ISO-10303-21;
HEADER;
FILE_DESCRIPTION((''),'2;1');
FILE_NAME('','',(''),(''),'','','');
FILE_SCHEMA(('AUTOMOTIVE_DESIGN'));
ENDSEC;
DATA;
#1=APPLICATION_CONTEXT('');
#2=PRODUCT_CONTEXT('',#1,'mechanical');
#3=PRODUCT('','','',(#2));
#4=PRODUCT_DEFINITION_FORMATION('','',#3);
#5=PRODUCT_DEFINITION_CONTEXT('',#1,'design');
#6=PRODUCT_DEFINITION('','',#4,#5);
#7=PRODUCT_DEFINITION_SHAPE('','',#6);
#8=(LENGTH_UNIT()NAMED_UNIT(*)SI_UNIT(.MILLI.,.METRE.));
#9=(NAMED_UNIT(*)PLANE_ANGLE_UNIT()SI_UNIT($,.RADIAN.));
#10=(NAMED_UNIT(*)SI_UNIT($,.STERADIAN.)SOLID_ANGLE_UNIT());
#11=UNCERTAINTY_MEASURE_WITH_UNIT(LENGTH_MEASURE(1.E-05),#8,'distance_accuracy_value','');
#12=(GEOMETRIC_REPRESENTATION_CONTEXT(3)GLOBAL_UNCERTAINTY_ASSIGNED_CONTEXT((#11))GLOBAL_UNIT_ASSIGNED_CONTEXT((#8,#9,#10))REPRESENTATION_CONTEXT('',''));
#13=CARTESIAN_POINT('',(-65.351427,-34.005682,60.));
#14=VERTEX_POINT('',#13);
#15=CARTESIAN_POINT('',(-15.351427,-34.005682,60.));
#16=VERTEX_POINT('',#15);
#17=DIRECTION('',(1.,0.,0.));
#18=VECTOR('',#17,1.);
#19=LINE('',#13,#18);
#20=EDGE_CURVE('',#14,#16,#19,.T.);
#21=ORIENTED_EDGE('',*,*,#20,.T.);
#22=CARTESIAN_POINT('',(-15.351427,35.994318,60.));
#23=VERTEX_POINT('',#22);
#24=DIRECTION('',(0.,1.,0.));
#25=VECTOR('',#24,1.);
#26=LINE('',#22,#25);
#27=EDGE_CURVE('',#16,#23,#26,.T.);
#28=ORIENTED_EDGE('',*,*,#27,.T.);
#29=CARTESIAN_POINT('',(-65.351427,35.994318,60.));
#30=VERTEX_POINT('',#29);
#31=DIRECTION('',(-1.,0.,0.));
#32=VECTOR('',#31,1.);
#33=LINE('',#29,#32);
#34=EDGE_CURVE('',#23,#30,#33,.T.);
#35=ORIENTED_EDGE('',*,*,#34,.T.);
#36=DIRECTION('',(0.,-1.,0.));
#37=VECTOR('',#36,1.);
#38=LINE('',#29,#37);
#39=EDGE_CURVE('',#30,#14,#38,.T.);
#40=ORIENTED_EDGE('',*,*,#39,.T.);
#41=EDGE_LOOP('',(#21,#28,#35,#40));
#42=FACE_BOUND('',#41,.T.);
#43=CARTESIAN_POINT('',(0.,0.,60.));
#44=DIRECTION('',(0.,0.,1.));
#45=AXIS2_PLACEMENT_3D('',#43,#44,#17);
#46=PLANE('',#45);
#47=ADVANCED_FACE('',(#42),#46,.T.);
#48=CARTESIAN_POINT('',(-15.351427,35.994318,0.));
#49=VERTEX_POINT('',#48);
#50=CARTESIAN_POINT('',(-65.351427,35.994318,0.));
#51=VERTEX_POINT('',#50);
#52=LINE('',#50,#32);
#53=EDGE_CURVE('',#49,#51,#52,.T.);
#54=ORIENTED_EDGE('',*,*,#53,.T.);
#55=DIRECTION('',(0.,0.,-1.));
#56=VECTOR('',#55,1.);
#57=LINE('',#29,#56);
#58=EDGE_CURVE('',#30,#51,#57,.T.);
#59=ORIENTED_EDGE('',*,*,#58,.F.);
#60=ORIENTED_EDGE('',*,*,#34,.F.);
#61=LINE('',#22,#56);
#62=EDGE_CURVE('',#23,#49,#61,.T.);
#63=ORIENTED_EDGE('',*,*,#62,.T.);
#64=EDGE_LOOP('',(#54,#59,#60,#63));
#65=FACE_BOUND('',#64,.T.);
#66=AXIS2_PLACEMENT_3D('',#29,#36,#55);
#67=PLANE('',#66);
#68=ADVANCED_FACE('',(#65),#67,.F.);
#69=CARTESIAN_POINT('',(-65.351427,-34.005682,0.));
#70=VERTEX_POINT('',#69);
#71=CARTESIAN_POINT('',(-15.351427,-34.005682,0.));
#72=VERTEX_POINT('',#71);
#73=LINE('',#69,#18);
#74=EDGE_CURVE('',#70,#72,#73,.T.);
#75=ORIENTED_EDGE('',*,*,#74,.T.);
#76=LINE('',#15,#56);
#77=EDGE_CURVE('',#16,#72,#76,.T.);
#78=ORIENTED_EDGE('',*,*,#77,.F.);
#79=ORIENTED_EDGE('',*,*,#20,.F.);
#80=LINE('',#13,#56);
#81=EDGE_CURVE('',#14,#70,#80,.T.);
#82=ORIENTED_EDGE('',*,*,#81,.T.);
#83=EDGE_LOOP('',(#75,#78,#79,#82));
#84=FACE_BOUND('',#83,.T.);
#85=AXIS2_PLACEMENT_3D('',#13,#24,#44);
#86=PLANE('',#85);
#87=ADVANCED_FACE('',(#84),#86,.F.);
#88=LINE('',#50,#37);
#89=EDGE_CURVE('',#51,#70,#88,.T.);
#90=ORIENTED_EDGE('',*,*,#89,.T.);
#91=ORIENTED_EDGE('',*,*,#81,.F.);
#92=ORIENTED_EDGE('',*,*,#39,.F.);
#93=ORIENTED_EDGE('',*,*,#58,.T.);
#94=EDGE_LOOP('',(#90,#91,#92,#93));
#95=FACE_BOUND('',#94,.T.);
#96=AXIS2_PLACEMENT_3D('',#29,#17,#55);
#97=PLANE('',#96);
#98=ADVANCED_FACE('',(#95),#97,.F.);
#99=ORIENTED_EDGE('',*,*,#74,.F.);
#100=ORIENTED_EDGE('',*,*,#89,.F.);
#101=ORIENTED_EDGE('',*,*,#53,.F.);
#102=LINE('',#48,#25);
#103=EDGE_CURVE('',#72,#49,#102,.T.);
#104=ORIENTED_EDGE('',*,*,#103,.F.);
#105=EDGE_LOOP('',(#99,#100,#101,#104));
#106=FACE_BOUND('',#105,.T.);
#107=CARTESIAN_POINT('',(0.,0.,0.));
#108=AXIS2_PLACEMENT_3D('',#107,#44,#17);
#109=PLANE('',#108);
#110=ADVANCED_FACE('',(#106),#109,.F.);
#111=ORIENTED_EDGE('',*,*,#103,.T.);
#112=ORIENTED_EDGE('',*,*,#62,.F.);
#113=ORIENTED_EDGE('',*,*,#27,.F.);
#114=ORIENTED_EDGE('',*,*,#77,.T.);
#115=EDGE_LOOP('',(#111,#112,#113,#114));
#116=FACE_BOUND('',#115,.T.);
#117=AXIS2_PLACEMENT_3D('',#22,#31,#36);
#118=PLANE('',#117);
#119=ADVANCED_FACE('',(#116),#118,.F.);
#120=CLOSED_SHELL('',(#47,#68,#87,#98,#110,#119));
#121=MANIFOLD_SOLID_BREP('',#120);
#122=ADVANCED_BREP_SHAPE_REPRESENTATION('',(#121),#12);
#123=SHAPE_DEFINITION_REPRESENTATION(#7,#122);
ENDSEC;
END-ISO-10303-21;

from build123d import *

# Parameters (mm, degrees)
IZIM1_W                     = 50
IZIM1_H                     = 70
Y_KSEKLIK_EKSTR_ZYON1_DEPTH = 60


with BuildPart() as part:
    # Çizim1 → Yükseklik-Ekstrüzyon1 (new body)
    with BuildSketch(Plane.XY):
        with Locations((-40.351427157, 0.994318182)):
            Rectangle(IZIM1_W, IZIM1_H)
    extrude(amount=Y_KSEKLIK_EKSTR_ZYON1_DEPTH)


solid = part.part
